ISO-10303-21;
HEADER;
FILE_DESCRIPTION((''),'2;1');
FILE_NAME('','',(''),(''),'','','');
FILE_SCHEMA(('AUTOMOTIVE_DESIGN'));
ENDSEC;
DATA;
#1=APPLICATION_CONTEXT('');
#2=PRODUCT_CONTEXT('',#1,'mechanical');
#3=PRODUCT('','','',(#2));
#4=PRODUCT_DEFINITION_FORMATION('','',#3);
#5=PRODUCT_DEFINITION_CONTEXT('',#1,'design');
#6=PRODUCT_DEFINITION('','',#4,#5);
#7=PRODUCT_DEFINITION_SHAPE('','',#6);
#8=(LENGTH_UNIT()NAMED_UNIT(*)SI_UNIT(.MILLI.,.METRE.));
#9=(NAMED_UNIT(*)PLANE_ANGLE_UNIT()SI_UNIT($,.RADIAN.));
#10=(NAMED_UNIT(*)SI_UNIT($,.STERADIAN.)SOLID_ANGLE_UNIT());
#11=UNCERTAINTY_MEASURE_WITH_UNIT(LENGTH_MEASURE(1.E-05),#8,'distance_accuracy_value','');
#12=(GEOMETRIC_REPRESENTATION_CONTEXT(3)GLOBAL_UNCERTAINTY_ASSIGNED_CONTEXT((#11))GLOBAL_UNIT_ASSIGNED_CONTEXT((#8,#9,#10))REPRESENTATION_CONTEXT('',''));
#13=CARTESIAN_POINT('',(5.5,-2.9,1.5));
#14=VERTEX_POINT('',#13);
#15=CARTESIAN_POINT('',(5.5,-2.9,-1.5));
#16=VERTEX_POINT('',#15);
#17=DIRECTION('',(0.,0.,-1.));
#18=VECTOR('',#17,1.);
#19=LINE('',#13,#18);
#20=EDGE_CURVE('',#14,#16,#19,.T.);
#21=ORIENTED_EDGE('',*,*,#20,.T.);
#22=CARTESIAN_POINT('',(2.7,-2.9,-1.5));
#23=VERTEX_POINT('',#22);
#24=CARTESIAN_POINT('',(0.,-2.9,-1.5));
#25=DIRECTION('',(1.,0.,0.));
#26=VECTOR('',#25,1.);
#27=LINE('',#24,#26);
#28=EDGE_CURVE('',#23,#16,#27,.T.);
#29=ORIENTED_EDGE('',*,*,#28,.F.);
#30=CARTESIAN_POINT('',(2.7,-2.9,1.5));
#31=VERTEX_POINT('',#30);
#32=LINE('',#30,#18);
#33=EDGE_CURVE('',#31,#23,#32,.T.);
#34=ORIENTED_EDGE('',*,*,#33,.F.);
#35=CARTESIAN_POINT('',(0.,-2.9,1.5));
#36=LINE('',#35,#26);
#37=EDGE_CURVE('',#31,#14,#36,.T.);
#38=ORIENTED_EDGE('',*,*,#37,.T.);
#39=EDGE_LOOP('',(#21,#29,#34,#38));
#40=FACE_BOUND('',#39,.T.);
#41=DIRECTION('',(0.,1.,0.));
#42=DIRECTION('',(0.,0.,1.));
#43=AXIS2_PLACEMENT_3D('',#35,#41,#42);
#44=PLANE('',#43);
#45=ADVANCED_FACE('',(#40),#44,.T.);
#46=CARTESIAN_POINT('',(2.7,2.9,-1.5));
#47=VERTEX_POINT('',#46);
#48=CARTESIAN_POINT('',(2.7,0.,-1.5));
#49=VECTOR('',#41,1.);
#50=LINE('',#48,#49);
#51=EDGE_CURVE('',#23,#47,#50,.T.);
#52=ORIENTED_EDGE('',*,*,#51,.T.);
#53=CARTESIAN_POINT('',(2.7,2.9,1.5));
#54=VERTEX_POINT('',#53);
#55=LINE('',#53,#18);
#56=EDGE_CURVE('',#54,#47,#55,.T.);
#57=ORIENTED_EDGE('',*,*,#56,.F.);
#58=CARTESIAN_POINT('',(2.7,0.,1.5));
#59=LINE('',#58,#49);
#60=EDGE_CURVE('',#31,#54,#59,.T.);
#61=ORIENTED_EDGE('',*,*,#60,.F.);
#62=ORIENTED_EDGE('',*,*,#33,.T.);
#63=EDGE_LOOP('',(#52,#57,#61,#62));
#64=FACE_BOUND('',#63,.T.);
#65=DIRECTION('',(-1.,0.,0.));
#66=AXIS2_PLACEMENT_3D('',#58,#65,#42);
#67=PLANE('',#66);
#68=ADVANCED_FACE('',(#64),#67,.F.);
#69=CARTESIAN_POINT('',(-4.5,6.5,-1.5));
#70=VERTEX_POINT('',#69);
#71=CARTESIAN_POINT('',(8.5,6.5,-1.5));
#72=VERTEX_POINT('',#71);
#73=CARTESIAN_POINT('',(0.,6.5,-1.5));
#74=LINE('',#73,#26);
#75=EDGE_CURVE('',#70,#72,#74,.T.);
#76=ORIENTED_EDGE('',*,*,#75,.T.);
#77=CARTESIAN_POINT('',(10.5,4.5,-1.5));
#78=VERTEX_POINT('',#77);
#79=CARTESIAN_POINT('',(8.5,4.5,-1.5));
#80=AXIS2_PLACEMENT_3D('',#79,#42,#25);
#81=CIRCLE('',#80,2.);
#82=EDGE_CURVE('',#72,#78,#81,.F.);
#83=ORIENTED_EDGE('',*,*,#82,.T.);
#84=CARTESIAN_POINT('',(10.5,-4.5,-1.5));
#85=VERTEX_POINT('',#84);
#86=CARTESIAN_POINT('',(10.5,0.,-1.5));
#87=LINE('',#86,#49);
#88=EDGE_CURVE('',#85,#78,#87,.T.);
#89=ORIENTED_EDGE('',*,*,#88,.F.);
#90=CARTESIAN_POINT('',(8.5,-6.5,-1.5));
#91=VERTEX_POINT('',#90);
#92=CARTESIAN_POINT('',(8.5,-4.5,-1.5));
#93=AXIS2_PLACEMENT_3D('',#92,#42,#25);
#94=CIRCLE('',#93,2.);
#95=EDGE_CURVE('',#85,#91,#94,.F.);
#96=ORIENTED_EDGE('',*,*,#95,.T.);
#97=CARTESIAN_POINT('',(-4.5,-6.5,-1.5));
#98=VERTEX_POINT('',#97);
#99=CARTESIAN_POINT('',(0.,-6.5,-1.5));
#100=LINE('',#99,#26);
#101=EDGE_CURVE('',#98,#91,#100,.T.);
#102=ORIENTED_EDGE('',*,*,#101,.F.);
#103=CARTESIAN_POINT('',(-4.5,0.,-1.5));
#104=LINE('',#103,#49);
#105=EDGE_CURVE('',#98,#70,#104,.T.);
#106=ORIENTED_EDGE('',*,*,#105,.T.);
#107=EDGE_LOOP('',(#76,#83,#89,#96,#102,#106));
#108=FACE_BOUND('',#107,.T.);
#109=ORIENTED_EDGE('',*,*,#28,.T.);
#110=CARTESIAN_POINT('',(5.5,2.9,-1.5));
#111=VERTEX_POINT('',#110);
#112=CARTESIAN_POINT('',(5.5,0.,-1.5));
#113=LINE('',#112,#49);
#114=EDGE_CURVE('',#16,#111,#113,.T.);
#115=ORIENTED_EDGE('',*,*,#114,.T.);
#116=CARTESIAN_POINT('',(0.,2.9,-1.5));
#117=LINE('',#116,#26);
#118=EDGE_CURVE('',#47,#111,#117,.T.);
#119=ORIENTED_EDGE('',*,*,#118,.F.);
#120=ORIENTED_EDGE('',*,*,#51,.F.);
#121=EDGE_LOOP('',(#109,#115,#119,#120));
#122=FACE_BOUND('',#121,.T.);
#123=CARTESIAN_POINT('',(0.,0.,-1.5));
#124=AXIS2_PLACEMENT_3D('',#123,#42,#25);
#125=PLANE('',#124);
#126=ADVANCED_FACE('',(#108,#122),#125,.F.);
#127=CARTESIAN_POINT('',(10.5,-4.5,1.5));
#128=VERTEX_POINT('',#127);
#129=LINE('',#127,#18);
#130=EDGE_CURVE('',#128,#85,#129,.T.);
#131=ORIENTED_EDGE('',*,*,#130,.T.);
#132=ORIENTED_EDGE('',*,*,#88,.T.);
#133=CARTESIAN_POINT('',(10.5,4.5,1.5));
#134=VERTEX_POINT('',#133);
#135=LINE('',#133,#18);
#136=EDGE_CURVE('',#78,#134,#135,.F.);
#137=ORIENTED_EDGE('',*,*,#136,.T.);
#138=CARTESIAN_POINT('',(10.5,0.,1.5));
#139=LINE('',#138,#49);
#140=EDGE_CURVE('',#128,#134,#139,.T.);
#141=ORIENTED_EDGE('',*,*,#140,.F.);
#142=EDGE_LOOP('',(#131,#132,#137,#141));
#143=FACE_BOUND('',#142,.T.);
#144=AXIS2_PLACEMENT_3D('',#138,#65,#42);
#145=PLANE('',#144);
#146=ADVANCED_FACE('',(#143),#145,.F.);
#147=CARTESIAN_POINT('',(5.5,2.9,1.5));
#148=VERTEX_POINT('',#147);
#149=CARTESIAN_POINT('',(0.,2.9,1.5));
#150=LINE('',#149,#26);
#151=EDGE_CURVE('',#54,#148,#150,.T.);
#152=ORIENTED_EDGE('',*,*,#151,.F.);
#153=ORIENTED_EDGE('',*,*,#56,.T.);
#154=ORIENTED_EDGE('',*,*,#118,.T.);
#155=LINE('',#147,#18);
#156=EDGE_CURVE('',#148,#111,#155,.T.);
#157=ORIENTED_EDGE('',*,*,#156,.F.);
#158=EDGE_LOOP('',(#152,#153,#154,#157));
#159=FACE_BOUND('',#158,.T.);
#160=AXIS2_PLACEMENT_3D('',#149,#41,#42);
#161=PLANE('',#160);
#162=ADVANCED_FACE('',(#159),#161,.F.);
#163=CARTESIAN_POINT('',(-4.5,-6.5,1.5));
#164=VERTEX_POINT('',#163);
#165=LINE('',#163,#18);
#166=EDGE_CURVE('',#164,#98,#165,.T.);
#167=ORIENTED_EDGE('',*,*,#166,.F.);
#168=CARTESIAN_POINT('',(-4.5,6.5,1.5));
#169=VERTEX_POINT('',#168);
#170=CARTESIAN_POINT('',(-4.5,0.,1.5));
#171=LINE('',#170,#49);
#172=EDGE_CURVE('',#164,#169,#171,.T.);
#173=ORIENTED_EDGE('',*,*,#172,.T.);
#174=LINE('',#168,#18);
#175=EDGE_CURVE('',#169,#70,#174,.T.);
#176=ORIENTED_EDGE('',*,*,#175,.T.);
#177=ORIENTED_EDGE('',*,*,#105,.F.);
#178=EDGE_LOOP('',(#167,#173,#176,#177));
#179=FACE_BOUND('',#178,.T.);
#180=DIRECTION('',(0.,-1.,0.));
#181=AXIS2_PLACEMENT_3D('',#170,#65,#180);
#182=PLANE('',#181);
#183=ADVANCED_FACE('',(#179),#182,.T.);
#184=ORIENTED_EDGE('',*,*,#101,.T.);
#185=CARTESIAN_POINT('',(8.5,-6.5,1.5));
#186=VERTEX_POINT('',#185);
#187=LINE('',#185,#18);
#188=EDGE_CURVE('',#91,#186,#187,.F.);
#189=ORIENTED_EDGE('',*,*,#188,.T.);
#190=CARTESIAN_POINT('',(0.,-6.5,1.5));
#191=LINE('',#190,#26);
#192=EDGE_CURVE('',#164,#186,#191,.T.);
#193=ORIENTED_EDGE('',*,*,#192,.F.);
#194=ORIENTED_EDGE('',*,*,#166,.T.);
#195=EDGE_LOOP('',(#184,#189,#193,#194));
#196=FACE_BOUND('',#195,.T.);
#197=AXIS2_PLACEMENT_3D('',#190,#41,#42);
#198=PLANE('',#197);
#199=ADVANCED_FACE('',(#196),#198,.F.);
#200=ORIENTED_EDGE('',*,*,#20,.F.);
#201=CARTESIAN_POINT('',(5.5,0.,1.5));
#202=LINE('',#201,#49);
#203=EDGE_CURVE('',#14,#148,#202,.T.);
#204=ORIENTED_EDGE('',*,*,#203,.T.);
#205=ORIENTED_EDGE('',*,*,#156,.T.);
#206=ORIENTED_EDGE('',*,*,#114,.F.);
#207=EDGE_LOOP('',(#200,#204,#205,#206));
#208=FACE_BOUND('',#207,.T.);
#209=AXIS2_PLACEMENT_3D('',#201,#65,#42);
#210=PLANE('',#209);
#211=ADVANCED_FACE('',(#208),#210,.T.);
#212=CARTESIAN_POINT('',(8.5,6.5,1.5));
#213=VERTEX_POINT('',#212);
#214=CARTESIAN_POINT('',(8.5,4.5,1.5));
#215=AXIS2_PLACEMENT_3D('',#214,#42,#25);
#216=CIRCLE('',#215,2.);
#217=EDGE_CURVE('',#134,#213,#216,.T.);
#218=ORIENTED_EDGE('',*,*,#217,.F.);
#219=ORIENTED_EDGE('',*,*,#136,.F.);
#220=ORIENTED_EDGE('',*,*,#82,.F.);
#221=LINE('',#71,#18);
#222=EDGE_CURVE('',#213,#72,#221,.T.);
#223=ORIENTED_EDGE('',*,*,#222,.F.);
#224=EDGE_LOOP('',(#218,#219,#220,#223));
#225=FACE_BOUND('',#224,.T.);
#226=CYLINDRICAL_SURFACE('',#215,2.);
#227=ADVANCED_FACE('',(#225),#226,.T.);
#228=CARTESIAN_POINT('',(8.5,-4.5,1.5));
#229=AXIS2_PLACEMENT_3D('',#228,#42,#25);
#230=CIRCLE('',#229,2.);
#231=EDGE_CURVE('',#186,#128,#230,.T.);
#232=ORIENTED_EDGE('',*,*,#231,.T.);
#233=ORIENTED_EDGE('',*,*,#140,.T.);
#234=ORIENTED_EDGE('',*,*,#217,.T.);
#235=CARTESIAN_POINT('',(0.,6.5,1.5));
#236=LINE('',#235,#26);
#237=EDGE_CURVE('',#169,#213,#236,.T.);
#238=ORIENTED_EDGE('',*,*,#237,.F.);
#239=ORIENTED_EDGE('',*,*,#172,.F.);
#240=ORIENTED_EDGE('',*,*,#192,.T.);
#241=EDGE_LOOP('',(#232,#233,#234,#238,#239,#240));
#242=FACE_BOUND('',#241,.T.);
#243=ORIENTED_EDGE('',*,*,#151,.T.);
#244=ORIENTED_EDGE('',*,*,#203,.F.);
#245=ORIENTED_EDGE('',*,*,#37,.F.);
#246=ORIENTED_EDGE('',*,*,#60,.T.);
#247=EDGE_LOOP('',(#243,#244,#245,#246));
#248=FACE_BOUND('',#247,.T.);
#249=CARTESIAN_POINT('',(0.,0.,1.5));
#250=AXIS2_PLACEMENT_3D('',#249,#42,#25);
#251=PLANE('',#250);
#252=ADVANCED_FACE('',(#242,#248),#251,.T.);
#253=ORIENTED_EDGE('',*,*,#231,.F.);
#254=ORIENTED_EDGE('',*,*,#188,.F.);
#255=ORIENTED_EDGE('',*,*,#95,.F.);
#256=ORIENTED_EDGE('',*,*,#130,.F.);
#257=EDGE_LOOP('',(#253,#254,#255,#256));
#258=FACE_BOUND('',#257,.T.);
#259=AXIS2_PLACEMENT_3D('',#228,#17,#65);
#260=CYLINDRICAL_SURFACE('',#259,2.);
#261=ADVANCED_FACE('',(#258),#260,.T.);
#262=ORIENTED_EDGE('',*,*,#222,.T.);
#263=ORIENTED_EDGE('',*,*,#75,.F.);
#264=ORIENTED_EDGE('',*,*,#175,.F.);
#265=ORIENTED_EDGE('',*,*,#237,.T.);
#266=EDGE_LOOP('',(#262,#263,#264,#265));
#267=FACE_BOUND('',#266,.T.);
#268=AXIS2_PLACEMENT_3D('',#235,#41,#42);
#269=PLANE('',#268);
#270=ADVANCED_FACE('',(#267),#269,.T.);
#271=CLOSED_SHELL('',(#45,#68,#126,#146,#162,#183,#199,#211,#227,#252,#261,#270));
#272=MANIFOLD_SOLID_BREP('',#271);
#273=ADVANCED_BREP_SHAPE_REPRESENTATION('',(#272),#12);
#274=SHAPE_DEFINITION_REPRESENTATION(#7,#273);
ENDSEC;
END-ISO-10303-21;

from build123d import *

# Parameters (mm, degrees)
CROQUIS1_W              = 2.8
CROQUIS1_H              = 5.8
SALIENTE_EXTRUIR1_DEPTH = 1.5
REDONDEO1_R             = 2


with BuildPart() as part:
    # Croquis1 → Saliente-Extruir1 (new, symmetric)
    # profile 1 of 3: a face of its own
    with BuildSketch(Plane.XY):
        Polygon((-4.5, -2.5), (-4.5, -6.5), (-1.5, -6.5), (10.5, -6.5), (10.5, 6.5), (-1.5, 6.5), (-4.5, 6.5), (-4.5, 0.5), align=None)
        with Locations((4.1, 0)):
            Rectangle(CROQUIS1_W, CROQUIS1_H, mode=Mode.SUBTRACT)
    # profile 2 of 3: a face of its own
    with BuildSketch(Plane.XY):
        Polygon((-4.5, -2.5), (-4.5, -6.5), (-1.5, -6.5), (10.5, -6.5), (10.5, 6.5), (-1.5, 6.5), (-4.5, 6.5), (-4.5, 0.5), align=None)
        with Locations((4.1, 0)):
            Rectangle(CROQUIS1_W, CROQUIS1_H, mode=Mode.SUBTRACT)
    # profile 3 of 3: a face of its own
    with BuildSketch(Plane.XY):
        Polygon((-4.5, -2.5), (-4.5, -6.5), (-1.5, -6.5), (10.5, -6.5), (10.5, 6.5), (-1.5, 6.5), (-4.5, 6.5), (-4.5, 0.5), align=None)
        with Locations((4.1, 0)):
            Rectangle(CROQUIS1_W, CROQUIS1_H, mode=Mode.SUBTRACT)
    extrude(amount=SALIENTE_EXTRUIR1_DEPTH, both=True)

    # Redondeo1
    redondeo1_edges = [part.edges().sort_by_distance(p)[0] for p in [
        (10.5, 6.5, 0),
        (10.5, -6.5, 0),
    ]]
    fillet(redondeo1_edges, radius=REDONDEO1_R)


solid = part.part
